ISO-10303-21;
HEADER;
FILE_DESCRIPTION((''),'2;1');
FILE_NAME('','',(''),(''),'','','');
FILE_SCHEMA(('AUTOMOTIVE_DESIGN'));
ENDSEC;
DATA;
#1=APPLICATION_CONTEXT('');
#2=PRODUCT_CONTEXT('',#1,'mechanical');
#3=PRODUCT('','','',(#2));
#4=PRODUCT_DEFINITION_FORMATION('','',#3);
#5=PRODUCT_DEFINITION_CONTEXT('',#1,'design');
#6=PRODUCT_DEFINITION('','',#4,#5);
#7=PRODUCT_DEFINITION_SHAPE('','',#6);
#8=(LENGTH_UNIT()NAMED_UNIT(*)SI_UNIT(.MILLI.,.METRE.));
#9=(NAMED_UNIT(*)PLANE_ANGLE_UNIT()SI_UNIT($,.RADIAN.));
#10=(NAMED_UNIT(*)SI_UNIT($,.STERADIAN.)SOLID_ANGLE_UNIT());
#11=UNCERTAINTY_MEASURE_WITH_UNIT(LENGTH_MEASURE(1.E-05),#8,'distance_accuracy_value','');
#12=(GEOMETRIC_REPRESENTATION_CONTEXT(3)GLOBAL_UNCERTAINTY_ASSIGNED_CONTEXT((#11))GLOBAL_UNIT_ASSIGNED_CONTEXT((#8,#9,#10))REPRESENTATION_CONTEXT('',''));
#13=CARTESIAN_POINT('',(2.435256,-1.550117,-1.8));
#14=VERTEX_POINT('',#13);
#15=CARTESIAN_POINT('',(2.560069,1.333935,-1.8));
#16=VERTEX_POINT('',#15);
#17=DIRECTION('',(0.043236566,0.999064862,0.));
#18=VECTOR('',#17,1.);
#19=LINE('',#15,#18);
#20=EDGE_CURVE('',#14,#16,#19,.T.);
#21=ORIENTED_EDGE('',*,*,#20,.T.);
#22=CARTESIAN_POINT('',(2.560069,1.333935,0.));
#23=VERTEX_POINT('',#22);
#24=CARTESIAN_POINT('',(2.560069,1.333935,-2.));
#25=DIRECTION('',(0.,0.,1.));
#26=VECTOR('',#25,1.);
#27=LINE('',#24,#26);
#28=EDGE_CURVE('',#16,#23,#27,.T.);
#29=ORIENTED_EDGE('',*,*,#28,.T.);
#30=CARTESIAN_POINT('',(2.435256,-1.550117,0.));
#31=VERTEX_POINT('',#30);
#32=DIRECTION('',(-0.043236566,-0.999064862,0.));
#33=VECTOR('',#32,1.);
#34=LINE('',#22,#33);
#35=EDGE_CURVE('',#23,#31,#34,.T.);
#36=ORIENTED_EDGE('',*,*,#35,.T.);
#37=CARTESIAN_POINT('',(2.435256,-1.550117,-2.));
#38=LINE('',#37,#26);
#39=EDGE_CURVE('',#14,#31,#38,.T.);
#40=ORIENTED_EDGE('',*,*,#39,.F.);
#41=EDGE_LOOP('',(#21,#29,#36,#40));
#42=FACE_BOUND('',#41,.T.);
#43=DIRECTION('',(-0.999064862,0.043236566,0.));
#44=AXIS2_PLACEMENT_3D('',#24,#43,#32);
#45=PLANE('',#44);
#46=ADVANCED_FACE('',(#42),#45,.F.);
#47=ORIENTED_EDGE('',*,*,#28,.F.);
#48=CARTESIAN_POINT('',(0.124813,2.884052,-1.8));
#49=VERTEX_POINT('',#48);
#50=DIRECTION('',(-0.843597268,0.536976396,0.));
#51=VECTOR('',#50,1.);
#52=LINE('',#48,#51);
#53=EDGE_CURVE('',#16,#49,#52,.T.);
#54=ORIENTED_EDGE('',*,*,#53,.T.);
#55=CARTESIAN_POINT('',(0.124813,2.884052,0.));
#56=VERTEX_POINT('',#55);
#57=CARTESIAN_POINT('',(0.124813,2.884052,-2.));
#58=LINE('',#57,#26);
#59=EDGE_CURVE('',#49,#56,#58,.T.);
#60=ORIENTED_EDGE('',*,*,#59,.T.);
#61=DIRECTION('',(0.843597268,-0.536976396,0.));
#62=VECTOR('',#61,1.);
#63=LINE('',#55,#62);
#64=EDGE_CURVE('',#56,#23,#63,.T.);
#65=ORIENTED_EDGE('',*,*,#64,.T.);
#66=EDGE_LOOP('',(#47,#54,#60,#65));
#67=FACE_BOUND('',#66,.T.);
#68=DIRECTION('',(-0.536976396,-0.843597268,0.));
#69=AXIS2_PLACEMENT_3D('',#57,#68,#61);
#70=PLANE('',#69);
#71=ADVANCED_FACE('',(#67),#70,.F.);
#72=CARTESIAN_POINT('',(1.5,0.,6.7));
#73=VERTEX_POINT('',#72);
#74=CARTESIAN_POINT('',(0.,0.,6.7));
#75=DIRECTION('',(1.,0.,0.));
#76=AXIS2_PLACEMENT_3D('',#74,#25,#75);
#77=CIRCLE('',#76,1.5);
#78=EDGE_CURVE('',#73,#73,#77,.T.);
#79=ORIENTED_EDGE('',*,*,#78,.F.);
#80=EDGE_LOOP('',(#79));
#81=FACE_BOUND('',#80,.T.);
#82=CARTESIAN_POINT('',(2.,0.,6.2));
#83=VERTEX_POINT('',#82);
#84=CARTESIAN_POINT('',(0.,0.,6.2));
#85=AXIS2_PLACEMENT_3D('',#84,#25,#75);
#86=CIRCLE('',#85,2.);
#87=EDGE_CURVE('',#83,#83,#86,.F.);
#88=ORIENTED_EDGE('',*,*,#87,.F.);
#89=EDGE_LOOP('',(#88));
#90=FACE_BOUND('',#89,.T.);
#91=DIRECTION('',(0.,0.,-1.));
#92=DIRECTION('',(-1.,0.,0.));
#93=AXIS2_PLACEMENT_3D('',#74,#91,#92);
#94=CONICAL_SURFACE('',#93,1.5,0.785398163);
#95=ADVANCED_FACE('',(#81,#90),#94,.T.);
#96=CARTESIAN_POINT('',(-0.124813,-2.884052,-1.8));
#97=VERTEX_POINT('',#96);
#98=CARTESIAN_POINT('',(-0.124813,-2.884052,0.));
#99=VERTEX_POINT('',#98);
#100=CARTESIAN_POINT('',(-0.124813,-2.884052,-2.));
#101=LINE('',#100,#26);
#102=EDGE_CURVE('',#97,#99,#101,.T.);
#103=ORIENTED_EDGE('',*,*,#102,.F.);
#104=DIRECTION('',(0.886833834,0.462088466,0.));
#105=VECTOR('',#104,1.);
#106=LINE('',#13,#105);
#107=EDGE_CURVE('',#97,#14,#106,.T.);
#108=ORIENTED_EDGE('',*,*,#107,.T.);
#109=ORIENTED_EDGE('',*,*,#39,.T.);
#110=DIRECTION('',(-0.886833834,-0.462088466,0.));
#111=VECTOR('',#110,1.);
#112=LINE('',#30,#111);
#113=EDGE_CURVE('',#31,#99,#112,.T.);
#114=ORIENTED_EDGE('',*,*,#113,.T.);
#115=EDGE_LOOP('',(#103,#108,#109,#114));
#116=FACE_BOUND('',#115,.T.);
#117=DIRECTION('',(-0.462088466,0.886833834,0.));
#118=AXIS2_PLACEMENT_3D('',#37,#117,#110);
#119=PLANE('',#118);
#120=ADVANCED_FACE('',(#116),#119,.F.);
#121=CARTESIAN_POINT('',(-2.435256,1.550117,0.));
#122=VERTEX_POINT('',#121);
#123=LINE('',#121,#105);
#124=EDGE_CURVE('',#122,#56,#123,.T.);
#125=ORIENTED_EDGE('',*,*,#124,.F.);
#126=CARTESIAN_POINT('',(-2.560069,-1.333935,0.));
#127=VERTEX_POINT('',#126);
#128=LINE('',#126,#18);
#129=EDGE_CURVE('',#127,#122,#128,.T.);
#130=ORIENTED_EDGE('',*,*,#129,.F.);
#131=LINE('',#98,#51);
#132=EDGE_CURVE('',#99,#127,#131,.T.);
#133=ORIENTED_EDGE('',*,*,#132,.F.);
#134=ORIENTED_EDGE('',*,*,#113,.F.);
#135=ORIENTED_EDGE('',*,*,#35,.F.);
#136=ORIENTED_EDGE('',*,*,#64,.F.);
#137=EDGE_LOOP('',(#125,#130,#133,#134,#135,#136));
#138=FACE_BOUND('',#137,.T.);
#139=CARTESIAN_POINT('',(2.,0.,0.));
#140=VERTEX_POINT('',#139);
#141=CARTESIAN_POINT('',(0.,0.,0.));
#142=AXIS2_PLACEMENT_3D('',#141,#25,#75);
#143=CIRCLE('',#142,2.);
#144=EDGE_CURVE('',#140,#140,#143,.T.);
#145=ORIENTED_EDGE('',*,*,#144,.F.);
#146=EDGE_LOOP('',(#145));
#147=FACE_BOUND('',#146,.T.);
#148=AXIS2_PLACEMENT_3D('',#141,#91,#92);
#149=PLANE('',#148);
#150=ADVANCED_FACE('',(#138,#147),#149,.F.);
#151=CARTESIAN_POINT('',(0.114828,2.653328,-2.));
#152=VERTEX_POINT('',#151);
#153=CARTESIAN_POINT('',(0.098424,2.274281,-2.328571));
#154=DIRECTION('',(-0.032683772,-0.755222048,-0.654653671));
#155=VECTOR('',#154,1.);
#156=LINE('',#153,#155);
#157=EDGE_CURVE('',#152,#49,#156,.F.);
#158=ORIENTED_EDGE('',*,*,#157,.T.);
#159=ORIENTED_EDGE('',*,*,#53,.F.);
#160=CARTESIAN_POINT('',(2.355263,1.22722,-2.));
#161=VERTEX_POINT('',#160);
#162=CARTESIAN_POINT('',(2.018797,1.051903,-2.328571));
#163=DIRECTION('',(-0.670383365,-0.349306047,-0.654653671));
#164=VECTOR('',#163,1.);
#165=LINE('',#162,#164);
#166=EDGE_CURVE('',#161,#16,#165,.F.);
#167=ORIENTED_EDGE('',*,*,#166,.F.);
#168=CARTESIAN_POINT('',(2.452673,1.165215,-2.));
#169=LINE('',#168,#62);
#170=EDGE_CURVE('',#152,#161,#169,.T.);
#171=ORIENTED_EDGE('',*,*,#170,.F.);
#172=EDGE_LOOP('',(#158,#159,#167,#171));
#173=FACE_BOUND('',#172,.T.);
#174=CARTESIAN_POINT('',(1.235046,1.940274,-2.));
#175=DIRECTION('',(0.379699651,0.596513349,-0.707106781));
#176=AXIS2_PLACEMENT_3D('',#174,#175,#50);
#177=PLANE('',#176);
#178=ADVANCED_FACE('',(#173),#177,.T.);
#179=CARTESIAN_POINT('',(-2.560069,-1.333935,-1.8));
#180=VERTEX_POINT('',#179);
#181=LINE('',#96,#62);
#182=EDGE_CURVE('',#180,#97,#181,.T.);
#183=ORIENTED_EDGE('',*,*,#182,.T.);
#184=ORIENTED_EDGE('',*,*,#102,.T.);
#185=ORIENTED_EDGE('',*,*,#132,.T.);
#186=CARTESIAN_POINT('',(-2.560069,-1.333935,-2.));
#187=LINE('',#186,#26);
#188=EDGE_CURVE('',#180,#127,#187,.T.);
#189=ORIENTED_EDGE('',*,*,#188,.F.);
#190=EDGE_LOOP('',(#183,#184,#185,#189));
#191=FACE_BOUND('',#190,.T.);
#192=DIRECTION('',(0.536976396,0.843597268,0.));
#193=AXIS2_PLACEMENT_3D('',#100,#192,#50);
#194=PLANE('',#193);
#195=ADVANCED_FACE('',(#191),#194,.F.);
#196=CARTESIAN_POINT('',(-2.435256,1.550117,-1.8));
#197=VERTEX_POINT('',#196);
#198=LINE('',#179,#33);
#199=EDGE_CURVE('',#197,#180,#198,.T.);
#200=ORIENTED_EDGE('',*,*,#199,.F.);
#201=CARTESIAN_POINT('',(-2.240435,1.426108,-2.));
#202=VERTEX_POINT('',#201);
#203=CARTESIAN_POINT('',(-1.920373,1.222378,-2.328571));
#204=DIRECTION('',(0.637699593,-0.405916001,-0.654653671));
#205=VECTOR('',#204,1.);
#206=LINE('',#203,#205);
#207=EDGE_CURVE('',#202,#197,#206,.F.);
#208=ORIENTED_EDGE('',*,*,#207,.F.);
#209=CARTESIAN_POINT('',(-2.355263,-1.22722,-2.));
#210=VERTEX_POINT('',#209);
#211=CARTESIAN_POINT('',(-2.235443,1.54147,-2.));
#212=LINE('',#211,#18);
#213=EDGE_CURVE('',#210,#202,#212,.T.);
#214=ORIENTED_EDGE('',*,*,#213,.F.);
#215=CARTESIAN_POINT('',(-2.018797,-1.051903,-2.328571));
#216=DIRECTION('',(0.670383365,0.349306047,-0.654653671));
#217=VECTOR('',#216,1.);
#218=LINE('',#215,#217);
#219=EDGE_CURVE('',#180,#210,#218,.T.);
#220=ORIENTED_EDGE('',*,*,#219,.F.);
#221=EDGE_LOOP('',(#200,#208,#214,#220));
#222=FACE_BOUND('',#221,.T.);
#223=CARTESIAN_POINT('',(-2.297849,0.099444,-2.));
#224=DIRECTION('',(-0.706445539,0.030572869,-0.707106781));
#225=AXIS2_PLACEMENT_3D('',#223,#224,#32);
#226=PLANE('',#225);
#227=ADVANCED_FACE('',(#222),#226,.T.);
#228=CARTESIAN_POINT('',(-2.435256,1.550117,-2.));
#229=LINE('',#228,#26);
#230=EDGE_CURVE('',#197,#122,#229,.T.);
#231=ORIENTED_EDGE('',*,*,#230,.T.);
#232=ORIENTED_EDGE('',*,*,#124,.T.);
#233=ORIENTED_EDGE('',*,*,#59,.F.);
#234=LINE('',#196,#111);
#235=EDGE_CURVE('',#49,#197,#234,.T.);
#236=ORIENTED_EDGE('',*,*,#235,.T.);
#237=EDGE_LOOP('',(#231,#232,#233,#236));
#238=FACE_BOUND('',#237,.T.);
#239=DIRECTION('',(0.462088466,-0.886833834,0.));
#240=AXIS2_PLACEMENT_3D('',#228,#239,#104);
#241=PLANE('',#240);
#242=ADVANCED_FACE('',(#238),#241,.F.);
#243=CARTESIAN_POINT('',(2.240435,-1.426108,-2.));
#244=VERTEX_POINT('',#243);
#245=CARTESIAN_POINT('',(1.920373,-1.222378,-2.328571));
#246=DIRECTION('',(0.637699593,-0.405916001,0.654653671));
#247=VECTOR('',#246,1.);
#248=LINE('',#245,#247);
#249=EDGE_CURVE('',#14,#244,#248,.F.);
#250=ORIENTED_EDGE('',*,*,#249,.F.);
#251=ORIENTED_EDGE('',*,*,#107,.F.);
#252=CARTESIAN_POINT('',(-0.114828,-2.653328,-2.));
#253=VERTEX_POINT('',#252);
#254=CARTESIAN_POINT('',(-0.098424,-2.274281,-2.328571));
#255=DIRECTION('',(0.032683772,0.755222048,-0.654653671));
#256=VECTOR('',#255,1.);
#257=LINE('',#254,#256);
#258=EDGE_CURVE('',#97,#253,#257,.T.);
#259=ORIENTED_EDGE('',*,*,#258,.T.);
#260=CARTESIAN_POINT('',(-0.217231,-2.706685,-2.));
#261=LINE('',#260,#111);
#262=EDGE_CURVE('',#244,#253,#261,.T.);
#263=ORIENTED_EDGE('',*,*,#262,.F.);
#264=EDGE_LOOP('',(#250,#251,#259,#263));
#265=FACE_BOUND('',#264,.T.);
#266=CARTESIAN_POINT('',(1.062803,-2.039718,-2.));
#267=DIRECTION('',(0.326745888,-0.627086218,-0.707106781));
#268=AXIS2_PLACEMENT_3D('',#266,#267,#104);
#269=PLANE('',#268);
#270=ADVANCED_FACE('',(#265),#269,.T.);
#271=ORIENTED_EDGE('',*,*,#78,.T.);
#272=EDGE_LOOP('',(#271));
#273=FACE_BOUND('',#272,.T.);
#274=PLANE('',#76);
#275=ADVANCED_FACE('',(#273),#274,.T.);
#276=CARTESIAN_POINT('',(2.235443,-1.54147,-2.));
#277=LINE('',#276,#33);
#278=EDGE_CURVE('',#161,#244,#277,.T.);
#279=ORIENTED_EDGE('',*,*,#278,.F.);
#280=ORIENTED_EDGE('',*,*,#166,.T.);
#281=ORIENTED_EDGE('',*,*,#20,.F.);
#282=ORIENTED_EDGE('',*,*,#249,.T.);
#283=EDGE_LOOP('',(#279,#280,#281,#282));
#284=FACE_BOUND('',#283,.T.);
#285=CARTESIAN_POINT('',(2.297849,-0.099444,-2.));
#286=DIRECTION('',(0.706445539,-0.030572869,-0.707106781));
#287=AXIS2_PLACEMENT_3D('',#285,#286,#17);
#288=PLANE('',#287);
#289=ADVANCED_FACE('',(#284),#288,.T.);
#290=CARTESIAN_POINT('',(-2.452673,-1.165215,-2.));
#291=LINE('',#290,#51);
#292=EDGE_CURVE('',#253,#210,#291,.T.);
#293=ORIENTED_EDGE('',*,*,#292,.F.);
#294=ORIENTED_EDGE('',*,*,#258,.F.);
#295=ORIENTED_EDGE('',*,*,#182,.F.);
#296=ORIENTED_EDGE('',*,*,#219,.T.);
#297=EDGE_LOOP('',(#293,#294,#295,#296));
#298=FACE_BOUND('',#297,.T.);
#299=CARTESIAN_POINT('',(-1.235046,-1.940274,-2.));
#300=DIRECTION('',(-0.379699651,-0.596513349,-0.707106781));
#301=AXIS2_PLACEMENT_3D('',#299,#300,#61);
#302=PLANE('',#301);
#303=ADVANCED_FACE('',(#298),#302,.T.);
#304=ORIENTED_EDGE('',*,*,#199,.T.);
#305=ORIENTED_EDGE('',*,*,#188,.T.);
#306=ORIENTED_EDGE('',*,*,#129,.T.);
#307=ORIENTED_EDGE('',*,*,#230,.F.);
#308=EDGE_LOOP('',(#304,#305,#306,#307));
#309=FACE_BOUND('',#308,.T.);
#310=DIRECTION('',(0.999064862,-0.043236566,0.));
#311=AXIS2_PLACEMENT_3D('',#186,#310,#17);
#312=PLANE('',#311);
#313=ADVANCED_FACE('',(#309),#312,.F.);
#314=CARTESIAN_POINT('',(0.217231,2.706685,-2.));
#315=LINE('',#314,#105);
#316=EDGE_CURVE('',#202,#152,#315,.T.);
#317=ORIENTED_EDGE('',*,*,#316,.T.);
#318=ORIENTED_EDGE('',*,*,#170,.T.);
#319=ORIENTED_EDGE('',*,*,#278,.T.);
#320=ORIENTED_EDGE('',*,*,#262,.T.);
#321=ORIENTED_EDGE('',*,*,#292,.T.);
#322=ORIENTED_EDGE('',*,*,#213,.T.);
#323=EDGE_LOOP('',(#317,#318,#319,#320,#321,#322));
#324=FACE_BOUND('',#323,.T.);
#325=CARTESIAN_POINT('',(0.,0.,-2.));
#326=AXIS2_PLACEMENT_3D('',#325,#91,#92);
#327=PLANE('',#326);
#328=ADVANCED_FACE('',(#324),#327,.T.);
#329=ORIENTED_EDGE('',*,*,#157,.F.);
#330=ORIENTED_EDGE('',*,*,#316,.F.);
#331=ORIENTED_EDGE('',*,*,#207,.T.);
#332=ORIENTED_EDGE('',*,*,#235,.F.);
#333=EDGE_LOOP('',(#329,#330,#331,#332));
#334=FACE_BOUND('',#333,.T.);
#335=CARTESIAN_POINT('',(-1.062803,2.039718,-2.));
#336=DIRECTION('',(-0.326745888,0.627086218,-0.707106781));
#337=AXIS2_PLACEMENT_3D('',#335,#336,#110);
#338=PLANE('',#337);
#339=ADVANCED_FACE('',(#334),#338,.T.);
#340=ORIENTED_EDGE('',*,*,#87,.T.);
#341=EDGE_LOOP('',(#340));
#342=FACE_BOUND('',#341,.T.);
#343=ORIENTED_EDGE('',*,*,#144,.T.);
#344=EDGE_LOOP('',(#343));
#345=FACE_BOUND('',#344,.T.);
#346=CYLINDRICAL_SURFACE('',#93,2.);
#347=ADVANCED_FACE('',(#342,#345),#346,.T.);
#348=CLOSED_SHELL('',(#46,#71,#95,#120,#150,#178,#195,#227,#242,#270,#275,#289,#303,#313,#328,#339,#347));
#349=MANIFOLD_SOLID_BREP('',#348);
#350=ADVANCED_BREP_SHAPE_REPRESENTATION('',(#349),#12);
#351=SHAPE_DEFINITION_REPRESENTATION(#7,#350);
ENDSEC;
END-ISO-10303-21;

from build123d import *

# Parameters (mm, degrees)
SKETCH1_R           = 2
BOSS_EXTRUDE1_DEPTH = 6.7
CHAMFER1_SIZE       = 0.5
BOSS_EXTRUDE2_DEPTH = 2
CHAMFER2_SIZE       = 0.2


with BuildPart() as part:
    # Sketch1 → Boss-Extrude1 (new body)
    with BuildSketch(Plane.XY):
        Circle(SKETCH1_R)
    extrude(amount=BOSS_EXTRUDE1_DEPTH)

    # Chamfer1
    chamfer1_edges = [part.edges().sort_by_distance(p)[0] for p in [
        (-2, 0, 6.7),
    ]]
    chamfer(chamfer1_edges, length=CHAMFER1_SIZE)

    # Sketch2 → Boss-Extrude2 (add)
    with BuildSketch(Plane(origin=(0, 0, 0), x_dir=(-1, 0, 0), z_dir=(0, 0, -1))):
        Polygon((0.124813216, -2.884051836), (2.560068764, -1.333934502), (2.435255548, 1.550117334), (-0.124813216, 2.884051836), (-2.560068764, 1.333934502), (-2.435255548, -1.550117334), align=None)
    extrude(amount=BOSS_EXTRUDE2_DEPTH)

    # Chamfer2
    chamfer2_edges = [part.edges().sort_by_distance(p)[0] for p in [
        (1.155221166, -2.217084585, -2),
        (-1.34244099, -2.108993169, -2),
        (-2.497662156, 0.108091416, -2),
        (-1.155221166, 2.217084585, -2),
        (1.34244099, 2.108993169, -2),
        (2.497662156, -0.108091416, -2),
    ]]
    chamfer(chamfer2_edges, length=CHAMFER2_SIZE)


solid = part.part
